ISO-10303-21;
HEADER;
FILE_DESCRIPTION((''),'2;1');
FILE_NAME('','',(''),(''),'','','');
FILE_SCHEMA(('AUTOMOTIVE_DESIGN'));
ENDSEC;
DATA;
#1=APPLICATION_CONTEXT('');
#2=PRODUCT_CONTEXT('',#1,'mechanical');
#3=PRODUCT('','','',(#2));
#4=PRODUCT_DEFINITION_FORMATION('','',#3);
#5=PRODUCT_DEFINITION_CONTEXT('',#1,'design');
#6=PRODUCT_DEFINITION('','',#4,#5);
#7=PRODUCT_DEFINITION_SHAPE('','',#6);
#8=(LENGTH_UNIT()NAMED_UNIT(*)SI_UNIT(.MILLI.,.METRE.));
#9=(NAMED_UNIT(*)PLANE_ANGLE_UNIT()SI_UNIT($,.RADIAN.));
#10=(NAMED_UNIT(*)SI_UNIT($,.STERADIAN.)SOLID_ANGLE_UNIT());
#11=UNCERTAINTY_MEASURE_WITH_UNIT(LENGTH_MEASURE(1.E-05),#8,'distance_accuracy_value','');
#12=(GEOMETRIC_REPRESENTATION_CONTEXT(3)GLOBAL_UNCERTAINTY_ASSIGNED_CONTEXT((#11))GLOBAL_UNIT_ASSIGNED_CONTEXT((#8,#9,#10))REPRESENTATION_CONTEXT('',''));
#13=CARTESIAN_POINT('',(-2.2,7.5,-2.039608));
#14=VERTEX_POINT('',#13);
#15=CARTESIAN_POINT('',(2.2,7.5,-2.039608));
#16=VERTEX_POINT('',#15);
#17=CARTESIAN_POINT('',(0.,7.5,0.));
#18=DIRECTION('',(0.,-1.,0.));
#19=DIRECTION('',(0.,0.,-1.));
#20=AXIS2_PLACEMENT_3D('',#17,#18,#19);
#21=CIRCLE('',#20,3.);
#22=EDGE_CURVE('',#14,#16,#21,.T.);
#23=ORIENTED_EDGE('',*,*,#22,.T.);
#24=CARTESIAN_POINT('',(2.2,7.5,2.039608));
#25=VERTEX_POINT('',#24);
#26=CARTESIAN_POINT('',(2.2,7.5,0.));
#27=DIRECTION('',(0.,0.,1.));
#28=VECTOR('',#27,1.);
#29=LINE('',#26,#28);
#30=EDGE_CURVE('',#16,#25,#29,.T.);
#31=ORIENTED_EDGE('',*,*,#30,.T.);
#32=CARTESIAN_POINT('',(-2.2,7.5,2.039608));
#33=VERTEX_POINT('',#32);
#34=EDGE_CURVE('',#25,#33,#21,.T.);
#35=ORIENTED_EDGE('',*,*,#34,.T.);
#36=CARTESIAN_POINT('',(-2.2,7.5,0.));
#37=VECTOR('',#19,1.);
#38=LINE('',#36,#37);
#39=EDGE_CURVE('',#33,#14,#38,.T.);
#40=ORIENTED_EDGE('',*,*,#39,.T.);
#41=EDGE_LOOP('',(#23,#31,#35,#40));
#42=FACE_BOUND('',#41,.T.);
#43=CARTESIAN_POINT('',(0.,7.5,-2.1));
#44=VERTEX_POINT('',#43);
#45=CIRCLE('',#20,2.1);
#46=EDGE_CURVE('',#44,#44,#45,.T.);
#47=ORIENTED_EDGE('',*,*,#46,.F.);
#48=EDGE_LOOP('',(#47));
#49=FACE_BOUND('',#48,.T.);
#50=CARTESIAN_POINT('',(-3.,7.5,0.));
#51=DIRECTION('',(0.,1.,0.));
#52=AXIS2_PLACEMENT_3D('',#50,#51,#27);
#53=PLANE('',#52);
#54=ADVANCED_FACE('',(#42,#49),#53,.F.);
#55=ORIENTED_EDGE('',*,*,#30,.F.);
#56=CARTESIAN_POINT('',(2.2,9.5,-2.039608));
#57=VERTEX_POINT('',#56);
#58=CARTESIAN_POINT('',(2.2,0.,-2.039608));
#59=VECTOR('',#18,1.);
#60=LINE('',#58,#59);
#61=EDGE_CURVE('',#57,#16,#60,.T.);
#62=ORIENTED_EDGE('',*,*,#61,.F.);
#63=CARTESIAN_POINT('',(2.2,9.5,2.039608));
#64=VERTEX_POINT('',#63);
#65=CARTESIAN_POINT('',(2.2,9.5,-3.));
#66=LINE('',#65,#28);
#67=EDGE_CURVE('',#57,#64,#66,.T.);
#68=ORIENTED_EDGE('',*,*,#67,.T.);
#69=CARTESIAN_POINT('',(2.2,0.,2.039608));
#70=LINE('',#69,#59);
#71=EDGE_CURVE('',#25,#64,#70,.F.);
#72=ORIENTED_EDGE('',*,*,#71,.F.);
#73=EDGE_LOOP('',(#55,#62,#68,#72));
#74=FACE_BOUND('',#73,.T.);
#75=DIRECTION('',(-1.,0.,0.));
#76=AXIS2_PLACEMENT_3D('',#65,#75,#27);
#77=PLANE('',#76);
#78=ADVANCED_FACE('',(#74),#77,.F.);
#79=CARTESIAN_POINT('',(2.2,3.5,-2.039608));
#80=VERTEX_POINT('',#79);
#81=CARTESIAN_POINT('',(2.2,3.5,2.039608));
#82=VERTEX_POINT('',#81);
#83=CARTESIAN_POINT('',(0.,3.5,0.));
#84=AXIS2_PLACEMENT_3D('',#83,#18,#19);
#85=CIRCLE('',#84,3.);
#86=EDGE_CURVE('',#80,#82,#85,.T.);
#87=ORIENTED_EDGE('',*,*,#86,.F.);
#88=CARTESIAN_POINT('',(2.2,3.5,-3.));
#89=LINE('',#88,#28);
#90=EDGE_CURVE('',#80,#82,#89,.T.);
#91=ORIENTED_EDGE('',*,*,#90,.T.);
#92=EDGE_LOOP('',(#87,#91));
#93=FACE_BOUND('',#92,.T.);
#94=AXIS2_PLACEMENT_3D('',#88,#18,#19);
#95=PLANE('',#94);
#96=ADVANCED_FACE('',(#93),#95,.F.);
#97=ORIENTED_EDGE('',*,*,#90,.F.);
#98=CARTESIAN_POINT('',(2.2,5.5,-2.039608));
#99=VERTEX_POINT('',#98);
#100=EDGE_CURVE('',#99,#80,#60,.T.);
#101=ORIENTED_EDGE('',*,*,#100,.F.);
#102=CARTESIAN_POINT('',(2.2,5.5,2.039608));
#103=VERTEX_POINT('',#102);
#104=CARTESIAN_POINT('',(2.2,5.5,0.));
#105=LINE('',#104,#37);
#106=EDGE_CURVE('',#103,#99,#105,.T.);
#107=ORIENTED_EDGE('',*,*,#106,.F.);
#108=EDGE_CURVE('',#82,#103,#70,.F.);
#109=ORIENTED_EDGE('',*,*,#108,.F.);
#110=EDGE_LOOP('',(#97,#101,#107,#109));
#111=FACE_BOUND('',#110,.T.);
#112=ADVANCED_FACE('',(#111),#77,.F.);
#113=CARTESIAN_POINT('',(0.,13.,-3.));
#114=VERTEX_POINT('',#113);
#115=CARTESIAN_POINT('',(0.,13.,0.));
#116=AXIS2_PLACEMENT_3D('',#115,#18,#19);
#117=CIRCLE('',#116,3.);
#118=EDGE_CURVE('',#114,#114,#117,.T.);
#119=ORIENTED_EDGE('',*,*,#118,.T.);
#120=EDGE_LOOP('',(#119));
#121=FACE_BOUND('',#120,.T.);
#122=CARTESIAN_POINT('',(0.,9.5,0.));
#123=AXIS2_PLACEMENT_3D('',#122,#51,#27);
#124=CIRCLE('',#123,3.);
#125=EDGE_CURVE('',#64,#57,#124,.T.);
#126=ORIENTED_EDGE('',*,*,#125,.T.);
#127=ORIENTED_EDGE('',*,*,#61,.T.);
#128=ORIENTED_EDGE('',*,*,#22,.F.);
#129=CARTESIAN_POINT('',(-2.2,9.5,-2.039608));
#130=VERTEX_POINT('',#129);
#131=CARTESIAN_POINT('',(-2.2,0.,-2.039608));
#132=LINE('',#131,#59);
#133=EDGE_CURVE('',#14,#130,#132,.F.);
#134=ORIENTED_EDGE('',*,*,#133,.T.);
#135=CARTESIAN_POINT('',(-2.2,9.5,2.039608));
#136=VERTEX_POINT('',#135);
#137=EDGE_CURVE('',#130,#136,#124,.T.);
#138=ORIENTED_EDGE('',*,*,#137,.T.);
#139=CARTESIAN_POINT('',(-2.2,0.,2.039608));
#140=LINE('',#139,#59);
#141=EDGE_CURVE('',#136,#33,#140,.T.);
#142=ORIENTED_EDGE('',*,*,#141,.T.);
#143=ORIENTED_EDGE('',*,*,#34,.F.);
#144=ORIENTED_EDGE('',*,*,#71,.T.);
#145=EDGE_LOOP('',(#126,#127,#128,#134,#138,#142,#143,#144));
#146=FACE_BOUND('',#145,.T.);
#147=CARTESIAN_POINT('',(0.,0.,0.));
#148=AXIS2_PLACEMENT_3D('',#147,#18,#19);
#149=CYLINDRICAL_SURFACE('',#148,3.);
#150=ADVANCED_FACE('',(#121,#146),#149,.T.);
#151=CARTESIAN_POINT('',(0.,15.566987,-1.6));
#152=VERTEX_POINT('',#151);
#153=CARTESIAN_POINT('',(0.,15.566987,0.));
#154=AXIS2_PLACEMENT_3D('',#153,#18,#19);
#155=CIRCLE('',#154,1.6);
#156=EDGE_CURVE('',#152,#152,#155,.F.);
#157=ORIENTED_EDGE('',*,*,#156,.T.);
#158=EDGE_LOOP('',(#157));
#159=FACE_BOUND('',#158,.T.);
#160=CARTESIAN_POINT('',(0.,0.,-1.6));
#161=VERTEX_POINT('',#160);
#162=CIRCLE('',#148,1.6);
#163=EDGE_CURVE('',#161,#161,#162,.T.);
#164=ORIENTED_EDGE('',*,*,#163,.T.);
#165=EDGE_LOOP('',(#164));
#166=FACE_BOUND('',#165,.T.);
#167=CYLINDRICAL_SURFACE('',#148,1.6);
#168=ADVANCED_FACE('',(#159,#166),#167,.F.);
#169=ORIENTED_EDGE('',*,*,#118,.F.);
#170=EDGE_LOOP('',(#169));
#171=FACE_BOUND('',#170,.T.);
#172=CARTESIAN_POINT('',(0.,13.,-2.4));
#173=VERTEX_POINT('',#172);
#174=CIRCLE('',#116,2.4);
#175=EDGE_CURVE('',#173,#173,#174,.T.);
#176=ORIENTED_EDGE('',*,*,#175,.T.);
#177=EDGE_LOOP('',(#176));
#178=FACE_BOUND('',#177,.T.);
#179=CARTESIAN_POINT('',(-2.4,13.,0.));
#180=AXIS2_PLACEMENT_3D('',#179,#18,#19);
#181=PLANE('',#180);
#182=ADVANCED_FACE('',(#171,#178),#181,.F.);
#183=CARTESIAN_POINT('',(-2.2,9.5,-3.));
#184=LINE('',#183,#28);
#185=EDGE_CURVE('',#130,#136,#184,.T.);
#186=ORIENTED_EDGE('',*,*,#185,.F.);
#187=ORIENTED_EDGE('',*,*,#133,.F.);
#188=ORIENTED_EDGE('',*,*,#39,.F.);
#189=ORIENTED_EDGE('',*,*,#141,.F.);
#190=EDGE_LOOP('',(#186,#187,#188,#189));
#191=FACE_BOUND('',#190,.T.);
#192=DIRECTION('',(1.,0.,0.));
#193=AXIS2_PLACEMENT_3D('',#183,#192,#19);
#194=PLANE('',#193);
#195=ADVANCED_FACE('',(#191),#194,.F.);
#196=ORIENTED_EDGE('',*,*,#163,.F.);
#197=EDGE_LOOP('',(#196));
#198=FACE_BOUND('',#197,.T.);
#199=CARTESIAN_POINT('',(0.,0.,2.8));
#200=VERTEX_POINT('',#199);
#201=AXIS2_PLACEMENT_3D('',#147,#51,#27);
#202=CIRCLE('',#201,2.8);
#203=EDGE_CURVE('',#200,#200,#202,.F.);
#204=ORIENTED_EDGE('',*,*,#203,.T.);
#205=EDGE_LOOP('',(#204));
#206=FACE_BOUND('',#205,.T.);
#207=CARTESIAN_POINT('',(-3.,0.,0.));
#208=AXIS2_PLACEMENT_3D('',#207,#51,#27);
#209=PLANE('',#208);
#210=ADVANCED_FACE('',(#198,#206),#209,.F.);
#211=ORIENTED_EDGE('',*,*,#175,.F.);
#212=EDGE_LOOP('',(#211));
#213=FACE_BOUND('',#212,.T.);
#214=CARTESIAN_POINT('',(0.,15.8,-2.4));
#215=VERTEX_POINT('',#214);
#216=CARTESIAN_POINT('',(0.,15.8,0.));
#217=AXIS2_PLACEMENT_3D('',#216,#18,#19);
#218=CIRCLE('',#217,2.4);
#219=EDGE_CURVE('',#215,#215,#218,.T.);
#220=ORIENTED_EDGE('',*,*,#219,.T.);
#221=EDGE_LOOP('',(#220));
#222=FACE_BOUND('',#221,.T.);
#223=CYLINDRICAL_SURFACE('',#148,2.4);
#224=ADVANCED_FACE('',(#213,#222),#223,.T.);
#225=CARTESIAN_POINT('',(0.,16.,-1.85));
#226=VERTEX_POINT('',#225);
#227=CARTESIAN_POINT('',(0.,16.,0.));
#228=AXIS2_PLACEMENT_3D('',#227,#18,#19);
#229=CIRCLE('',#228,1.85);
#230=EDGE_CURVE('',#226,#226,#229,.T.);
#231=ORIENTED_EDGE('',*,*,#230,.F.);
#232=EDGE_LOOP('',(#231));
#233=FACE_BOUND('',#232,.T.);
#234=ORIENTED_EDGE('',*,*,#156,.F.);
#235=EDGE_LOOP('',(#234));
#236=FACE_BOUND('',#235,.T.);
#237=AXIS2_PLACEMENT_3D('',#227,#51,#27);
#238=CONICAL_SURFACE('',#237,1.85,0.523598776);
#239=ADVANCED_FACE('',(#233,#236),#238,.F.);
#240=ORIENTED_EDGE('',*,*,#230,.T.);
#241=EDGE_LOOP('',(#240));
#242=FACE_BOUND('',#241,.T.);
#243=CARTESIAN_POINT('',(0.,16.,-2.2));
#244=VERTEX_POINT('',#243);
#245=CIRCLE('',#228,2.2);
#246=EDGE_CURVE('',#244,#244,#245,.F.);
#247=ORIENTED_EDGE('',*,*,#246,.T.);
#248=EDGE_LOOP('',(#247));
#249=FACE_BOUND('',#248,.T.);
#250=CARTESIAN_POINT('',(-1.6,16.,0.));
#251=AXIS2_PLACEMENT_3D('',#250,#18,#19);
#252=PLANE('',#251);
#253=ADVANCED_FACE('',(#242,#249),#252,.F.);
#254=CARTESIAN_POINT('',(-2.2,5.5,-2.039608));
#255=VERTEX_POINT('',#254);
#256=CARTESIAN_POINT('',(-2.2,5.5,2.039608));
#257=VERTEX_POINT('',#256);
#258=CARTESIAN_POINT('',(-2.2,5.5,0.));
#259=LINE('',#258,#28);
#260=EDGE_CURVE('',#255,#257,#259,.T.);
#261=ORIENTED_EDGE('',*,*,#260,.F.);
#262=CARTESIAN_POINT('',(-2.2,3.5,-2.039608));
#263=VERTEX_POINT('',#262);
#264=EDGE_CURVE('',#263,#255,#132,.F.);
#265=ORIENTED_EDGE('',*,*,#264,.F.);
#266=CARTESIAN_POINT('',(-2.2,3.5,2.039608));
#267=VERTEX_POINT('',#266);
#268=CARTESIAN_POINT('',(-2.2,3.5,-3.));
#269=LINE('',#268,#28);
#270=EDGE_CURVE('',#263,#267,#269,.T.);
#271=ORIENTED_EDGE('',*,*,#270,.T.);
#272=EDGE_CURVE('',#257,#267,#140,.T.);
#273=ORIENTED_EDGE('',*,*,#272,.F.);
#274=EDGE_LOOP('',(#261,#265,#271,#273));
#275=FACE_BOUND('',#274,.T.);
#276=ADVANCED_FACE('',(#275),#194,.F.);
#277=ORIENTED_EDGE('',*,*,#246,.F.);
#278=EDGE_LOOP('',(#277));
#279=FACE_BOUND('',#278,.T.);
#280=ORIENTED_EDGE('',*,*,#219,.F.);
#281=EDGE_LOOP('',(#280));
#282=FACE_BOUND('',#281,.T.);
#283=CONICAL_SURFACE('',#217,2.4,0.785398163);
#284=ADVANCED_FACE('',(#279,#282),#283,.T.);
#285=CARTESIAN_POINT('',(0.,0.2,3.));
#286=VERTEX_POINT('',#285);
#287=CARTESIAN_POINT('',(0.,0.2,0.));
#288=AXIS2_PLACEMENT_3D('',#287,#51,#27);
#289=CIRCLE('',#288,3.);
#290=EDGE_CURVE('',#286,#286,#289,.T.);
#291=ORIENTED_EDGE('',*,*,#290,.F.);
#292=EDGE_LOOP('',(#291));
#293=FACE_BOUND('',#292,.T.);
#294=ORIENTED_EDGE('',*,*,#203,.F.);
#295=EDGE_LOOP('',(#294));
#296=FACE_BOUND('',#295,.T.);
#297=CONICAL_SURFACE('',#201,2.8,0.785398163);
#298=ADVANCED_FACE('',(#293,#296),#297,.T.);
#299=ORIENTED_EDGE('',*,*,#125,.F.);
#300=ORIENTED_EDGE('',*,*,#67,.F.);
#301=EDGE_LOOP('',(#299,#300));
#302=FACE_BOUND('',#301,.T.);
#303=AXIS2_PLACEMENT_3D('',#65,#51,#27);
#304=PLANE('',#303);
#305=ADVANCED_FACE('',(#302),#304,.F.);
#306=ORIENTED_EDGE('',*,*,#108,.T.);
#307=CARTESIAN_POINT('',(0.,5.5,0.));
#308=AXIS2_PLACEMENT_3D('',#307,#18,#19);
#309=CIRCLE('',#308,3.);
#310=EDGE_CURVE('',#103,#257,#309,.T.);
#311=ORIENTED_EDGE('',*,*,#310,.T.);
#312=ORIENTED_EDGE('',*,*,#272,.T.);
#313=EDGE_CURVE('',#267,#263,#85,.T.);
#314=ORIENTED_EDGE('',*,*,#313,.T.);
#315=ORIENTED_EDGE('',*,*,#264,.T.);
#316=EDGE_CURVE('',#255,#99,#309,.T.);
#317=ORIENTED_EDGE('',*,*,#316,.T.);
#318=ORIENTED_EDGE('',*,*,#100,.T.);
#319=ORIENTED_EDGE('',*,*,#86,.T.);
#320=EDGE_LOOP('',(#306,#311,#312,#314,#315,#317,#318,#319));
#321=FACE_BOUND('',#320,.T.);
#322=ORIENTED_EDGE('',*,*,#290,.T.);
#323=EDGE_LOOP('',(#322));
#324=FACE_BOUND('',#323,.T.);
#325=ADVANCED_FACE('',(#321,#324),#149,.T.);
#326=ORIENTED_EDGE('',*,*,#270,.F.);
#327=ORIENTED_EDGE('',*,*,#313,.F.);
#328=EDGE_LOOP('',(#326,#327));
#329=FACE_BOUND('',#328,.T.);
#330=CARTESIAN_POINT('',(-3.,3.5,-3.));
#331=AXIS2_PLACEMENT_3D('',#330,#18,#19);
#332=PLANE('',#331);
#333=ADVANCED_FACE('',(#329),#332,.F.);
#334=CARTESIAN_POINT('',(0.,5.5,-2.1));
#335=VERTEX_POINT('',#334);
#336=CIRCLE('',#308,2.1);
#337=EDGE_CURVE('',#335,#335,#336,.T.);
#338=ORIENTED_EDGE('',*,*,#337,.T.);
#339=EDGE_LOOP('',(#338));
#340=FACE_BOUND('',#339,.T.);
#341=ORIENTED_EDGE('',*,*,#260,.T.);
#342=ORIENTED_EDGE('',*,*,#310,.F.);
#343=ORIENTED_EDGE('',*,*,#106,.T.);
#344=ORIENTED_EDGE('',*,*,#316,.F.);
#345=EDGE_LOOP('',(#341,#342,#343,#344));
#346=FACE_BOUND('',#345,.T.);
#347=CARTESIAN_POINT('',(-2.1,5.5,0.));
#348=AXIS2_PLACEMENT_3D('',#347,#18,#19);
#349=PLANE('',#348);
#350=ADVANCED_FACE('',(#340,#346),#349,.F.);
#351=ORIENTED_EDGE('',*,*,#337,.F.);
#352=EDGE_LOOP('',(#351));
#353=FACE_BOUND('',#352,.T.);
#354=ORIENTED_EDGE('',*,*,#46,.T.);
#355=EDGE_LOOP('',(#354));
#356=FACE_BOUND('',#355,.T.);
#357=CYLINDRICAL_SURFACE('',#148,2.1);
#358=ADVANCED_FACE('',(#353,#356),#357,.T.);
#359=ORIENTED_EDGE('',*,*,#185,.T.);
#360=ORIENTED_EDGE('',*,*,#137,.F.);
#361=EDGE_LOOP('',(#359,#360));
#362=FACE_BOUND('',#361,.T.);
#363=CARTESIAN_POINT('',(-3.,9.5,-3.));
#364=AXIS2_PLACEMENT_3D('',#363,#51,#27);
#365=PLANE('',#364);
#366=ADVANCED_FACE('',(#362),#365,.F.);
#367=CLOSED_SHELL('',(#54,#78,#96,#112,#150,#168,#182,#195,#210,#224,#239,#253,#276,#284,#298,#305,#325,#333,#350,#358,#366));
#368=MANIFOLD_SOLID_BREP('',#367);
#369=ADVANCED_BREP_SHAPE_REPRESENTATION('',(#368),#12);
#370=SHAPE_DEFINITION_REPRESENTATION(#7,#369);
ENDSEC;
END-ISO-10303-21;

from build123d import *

# Parameters (mm, degrees)
CHAFL_N4_SIZE              = 0.2
CHAFL_N5_SIZE              = 0.25
CHAFL_N5_SIZE2             = 0.433012702
CORTAR_EXTRUIR2_DEPTH      = 17.552945357
CORTAR_EXTRUIR2_DEPTH_BACK = 17.552945357
CROQUIS4_W                 = 0.8
CROQUIS4_H                 = 6


with BuildPart() as part:
    # Croquis3 → Revolución1 (revolve)
    with BuildSketch(Plane.XY, mode=Mode.PRIVATE) as revoluci_n1_sk:
        Polygon((-1.6, 0), (-1.6, 16), (-2.4, 16), (-2.4, 13), (-3, 13), (-3, 7.5), (-2.1, 7.5), (-2.1, 5.5), (-3, 5.5), (-3, 0), align=None)
    revolve(revoluci_n1_sk.sketch.rotate(Axis((0, 0, 0), (0, 1, 0)), 270), axis=Axis((0, 0, 0), (0, 1, 0)))

    # Chaflán4
    chafl_n4_edges = [part.edges().sort_by_distance(p)[0] for p in [
        (0, 16, 2.4),
        (0, 0, 3),
    ]]
    chamfer(chafl_n4_edges, length=CHAFL_N4_SIZE)

    # Chaflán5
    chafl_n5_edges = [part.edges().sort_by_distance(p)[0] for p in [
        (0, 16, 1.6),
    ]]
    chafl_n5_side = [part.faces().sort_by_distance(p)[0] for p in [
        (0, 16, 2.137774603),
    ]]
    chamfer(chafl_n5_edges, length=CHAFL_N5_SIZE, length2=CHAFL_N5_SIZE2, reference=chafl_n5_side[0])

    # Croquis4 → Cortar-Extruir2 (cut, two sides: drawn at the far end of the back side and taken through both)
    with BuildSketch(Plane.XY.offset(-CORTAR_EXTRUIR2_DEPTH_BACK)):
        with Locations((-2.6, 6.5)):
            Rectangle(CROQUIS4_W, CROQUIS4_H)
        with Locations((2.6, 6.5)):
            Rectangle(CROQUIS4_W, CROQUIS4_H)
    extrude(amount=CORTAR_EXTRUIR2_DEPTH + CORTAR_EXTRUIR2_DEPTH_BACK, mode=Mode.SUBTRACT)


solid = part.part
